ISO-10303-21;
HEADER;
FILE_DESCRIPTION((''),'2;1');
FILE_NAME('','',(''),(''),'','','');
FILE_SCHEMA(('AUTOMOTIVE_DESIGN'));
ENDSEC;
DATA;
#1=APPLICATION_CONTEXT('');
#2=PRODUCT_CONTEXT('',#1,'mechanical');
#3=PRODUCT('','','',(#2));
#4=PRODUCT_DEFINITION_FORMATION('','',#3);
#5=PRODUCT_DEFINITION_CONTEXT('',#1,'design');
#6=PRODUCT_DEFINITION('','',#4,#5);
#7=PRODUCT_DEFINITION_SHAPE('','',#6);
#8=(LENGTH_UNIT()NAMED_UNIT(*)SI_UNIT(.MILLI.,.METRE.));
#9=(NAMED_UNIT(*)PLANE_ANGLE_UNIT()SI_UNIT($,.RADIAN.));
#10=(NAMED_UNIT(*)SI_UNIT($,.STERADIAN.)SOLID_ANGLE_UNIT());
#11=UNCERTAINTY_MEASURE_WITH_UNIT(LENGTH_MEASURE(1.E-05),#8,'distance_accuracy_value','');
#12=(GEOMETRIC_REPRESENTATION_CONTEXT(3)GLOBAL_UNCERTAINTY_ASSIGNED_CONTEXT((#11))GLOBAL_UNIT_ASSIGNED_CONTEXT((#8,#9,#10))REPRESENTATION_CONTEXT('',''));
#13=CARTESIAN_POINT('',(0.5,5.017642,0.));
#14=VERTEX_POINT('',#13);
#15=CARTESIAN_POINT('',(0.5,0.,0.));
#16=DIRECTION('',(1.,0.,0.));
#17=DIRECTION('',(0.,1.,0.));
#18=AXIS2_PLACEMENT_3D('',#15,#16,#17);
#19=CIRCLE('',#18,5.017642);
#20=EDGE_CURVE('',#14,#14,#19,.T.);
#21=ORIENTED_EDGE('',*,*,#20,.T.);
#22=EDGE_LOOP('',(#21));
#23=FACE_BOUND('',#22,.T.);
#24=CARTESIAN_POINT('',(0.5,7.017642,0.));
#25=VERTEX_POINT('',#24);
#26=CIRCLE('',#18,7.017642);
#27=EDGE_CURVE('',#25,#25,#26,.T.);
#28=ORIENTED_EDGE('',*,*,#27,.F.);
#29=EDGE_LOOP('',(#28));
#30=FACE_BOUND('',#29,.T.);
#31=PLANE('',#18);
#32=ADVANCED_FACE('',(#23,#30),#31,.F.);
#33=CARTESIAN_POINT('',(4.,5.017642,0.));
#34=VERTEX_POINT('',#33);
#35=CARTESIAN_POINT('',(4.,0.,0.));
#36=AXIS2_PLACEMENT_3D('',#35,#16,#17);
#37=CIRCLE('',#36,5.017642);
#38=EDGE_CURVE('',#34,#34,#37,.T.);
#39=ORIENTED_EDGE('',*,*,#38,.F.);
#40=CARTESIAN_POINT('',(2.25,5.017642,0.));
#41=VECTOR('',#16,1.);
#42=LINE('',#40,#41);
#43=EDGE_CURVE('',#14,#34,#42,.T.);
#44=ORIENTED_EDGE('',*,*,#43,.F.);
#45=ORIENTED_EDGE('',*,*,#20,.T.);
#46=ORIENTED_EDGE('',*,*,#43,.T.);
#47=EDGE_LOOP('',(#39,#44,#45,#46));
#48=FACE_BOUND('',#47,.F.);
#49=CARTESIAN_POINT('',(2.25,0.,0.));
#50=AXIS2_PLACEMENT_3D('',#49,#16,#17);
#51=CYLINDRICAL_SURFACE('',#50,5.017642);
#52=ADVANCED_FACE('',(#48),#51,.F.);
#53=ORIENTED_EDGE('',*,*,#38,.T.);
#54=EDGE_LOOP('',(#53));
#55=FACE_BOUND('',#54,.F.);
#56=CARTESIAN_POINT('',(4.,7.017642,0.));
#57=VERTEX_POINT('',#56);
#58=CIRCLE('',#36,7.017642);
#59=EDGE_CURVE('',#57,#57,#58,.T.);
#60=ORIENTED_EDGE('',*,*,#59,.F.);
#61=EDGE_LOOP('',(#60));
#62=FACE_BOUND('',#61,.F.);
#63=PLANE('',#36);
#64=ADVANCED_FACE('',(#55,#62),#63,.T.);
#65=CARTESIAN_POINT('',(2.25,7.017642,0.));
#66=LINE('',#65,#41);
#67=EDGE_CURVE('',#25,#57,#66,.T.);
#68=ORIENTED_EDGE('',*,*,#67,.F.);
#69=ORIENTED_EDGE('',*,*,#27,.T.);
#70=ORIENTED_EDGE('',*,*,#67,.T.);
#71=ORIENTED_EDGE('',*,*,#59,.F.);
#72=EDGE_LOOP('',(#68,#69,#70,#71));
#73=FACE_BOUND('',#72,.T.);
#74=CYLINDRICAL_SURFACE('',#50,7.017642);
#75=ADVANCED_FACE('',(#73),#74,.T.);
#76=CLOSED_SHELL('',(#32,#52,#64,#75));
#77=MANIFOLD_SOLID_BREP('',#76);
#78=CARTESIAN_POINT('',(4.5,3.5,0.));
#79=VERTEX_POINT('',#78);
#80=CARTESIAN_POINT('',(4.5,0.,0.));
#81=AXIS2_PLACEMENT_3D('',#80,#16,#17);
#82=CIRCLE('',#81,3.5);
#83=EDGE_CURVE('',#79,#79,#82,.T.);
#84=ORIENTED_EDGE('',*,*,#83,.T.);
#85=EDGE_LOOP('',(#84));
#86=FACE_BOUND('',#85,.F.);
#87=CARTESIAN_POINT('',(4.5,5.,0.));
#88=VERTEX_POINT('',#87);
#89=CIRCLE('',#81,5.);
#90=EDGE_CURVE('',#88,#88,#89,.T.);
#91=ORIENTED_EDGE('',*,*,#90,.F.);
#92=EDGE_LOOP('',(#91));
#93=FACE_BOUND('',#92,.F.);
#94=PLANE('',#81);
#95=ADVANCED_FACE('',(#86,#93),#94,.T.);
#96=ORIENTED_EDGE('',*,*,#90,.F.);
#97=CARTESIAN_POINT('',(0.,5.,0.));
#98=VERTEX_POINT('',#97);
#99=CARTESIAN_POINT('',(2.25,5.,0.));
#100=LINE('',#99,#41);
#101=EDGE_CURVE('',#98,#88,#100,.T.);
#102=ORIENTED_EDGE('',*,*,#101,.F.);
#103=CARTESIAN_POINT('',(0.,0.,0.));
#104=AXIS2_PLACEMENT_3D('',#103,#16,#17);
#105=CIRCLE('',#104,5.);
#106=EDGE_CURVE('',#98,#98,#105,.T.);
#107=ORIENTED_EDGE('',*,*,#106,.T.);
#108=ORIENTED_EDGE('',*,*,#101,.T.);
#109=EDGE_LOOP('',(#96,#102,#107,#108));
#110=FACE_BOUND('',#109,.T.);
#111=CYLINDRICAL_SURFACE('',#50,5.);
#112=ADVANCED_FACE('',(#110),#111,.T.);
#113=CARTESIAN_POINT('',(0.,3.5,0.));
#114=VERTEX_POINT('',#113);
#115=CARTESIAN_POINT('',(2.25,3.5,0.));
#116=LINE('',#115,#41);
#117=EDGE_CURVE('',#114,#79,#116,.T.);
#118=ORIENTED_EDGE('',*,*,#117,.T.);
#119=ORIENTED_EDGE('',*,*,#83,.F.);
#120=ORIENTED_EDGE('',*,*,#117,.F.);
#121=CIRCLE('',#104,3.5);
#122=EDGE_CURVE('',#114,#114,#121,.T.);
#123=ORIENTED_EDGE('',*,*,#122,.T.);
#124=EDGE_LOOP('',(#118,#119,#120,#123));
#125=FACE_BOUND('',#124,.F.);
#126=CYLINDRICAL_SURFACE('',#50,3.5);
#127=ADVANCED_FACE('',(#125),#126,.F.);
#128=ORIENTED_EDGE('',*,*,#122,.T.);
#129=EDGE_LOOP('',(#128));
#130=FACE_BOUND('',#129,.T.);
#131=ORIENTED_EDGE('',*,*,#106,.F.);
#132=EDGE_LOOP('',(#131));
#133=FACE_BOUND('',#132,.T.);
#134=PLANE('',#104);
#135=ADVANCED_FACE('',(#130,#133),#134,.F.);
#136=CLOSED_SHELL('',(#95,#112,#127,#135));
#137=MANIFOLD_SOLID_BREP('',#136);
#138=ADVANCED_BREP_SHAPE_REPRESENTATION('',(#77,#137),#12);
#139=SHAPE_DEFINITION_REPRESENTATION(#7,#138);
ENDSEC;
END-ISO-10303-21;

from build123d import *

# Parameters (mm, degrees)
F0_W = 4.5
F0_H = 1.5
F1_W = 3.5
F1_H = 2


with BuildPart() as f2:
    # F0 (on Top) → F2 (revolve)
    with BuildSketch(Plane.XY):
        with Locations((2.25, 4.25)):
            Rectangle(F0_W, F0_H)
    revolve(axis=Axis((2.25, 0, 0), (1, 0, 0)))


with BuildPart() as f3:
    # F1 (on Top) → F3 (revolve)
    with BuildSketch(Plane.XY):
        with Locations((2.25, 6.017642)):
            Rectangle(F1_W, F1_H)
    revolve(axis=Axis((2.25, 0, 0), (1, 0, 0)))


solid = Compound([f2.part, f3.part])
